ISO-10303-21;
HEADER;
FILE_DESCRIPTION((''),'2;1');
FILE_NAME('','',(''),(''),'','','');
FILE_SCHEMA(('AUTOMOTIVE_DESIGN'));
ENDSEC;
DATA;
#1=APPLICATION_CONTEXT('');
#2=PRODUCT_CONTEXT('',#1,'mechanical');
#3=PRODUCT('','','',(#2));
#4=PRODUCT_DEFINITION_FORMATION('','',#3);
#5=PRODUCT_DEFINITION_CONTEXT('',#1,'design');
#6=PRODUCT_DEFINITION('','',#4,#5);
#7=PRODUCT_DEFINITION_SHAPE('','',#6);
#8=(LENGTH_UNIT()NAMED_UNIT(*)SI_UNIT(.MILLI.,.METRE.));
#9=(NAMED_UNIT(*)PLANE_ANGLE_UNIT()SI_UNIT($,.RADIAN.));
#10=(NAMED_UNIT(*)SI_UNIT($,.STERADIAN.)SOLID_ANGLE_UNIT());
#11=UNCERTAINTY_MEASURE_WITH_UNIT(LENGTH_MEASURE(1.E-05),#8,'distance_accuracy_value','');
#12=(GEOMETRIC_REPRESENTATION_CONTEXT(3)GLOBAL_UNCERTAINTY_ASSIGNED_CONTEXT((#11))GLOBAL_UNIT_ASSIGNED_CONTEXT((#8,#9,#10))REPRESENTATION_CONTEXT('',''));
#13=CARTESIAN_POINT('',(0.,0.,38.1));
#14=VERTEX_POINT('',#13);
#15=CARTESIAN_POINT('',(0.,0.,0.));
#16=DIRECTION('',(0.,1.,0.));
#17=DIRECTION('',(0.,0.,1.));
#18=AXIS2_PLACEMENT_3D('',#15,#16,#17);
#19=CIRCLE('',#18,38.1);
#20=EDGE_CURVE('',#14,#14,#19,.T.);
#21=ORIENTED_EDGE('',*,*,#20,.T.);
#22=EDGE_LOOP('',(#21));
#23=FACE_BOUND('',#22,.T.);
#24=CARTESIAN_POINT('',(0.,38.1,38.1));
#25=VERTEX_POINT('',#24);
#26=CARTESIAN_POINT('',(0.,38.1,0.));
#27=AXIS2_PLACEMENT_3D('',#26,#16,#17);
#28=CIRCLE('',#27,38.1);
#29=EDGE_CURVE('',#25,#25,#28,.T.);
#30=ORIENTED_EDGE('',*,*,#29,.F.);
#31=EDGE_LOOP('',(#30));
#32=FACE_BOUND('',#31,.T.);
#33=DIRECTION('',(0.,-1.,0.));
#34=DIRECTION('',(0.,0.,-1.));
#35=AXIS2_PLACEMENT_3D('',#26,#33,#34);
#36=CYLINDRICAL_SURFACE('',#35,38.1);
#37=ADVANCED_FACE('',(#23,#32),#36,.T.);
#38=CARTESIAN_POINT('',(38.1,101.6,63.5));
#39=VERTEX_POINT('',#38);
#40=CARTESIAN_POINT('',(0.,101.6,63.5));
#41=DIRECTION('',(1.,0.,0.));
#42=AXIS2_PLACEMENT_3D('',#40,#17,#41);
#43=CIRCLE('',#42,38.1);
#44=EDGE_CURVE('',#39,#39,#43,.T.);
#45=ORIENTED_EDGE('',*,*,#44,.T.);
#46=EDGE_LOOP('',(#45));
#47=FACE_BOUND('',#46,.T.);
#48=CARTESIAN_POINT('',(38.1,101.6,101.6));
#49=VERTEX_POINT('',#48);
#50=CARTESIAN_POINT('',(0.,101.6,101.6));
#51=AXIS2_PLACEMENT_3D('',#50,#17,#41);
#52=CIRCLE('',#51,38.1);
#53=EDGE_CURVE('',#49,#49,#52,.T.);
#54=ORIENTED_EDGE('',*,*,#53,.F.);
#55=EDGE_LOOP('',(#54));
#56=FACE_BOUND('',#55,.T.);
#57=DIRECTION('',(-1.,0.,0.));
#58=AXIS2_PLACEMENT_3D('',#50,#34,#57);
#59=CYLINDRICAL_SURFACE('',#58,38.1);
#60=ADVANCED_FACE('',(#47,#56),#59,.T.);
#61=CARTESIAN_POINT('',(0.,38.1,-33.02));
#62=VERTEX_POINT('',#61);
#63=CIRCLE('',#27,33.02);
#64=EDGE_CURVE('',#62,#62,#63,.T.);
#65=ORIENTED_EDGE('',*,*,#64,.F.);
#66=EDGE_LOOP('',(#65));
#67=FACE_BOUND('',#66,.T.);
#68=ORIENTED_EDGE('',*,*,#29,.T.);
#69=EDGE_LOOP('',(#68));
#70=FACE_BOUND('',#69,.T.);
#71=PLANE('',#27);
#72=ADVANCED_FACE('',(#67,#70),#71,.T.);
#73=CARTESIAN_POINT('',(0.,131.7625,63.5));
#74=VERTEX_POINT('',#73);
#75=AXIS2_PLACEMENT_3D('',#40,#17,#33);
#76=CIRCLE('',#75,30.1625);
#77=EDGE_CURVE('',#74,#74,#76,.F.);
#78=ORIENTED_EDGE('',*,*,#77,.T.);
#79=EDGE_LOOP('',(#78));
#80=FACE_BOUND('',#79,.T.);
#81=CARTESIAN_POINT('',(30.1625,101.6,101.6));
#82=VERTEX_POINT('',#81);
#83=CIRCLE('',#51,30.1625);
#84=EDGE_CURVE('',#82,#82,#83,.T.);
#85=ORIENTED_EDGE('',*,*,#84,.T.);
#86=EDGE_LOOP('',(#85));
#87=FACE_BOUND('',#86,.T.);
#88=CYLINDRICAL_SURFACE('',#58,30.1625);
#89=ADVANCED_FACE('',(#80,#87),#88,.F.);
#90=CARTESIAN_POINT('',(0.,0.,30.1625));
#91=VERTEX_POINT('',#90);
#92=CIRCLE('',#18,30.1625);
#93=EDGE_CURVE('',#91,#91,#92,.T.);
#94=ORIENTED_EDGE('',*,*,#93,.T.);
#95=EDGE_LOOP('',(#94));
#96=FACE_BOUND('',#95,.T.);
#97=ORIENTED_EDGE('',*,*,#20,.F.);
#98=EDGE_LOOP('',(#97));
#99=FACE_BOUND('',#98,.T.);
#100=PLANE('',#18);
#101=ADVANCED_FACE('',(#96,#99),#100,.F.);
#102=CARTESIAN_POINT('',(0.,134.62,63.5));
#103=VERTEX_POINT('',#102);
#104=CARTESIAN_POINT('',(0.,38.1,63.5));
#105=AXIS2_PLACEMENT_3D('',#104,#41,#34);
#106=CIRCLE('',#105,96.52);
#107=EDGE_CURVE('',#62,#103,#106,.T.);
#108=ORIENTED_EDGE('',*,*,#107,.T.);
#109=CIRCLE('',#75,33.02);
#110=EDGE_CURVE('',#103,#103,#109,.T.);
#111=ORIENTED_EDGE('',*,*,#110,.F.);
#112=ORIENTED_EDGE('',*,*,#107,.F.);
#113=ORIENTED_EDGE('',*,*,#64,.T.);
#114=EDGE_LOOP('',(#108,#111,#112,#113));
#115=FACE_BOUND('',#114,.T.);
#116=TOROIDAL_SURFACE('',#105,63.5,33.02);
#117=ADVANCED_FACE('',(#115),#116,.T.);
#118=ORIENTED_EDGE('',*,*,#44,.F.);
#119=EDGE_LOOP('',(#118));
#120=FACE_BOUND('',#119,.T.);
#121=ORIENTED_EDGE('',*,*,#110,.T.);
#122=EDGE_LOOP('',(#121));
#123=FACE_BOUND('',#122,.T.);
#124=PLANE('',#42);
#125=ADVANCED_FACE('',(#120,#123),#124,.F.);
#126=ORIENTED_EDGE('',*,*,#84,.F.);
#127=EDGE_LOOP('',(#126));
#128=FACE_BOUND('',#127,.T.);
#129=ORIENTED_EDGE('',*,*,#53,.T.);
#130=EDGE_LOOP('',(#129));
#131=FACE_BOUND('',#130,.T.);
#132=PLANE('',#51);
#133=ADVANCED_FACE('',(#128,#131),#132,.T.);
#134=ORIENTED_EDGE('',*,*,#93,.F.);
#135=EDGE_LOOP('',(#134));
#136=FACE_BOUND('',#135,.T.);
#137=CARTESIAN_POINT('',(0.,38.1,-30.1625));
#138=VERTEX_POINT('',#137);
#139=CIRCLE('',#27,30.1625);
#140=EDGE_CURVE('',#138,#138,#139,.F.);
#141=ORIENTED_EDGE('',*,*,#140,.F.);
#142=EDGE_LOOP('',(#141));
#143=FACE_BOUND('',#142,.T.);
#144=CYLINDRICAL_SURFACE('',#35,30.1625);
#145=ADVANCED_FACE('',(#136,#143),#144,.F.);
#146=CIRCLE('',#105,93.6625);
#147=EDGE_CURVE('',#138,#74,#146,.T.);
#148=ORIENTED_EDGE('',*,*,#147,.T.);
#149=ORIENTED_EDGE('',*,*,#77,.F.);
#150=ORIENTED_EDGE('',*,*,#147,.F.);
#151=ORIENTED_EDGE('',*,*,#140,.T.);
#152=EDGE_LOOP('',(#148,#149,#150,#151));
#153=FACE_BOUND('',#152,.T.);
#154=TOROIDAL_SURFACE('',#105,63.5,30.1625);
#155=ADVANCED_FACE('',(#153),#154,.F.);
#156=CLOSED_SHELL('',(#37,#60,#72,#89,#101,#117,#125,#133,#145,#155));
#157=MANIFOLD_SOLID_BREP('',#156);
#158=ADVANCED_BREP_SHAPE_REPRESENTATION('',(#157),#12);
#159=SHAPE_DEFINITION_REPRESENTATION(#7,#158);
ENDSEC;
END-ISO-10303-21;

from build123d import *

# Parameters (mm, degrees)
SKETCH1_R           = 38.1
SKETCH1_R_2         = 30.1625
BOSS_EXTRUDE1_DEPTH = 38.1
SKETCH4_R           = 38.1
SKETCH4_R_2         = 30.1625
BOSS_EXTRUDE2_DEPTH = 38.1
SKETCH6_R           = 33.02
SKETCH6_R_2         = 30.1625


with BuildPart() as part:
    # Sketch1 → Boss-Extrude1 (new body)
    with BuildSketch(Plane(origin=(0, 0, 0), x_dir=(1, 0, 0), z_dir=(0, 1, 0))):
        Circle(SKETCH1_R)
        Circle(SKETCH1_R_2, mode=Mode.SUBTRACT)
    extrude(amount=BOSS_EXTRUDE1_DEPTH)



with BuildPart() as body_2:
    # Sketch4 → Boss-Extrude2 (new body)
    with BuildSketch(Plane.XY.offset(63.5)):
        with Locations((0, 101.6)):
            Circle(SKETCH4_R)
        with Locations((0, 101.6)):
            Circle(SKETCH4_R_2, mode=Mode.SUBTRACT)
    extrude(amount=BOSS_EXTRUDE2_DEPTH)


with BuildPart() as part_1:
    add(part.part)

    add(body_2.part)  # Sweep2 merges body 2
    # Sweep2: sweep along a path in Sketch3
    with BuildLine(Plane(origin=(0, 0, 0), x_dir=(0, 0, -1), z_dir=(1, 0, 0))) as sweep2_path:
        ThreePointArc((0, 38.1), (-18.598719395, 83.001280605), (-63.5, 101.6))
    # Sketch6 → Sweep2 (sweep)
    with BuildSketch(Plane(origin=(0, 38.1, 0), x_dir=(1, 0, 0), z_dir=(0, 1, 0))):
        Circle(SKETCH6_R)
        Circle(SKETCH6_R_2, mode=Mode.SUBTRACT)
    sweep(path=sweep2_path.line)


solid = part_1.part
